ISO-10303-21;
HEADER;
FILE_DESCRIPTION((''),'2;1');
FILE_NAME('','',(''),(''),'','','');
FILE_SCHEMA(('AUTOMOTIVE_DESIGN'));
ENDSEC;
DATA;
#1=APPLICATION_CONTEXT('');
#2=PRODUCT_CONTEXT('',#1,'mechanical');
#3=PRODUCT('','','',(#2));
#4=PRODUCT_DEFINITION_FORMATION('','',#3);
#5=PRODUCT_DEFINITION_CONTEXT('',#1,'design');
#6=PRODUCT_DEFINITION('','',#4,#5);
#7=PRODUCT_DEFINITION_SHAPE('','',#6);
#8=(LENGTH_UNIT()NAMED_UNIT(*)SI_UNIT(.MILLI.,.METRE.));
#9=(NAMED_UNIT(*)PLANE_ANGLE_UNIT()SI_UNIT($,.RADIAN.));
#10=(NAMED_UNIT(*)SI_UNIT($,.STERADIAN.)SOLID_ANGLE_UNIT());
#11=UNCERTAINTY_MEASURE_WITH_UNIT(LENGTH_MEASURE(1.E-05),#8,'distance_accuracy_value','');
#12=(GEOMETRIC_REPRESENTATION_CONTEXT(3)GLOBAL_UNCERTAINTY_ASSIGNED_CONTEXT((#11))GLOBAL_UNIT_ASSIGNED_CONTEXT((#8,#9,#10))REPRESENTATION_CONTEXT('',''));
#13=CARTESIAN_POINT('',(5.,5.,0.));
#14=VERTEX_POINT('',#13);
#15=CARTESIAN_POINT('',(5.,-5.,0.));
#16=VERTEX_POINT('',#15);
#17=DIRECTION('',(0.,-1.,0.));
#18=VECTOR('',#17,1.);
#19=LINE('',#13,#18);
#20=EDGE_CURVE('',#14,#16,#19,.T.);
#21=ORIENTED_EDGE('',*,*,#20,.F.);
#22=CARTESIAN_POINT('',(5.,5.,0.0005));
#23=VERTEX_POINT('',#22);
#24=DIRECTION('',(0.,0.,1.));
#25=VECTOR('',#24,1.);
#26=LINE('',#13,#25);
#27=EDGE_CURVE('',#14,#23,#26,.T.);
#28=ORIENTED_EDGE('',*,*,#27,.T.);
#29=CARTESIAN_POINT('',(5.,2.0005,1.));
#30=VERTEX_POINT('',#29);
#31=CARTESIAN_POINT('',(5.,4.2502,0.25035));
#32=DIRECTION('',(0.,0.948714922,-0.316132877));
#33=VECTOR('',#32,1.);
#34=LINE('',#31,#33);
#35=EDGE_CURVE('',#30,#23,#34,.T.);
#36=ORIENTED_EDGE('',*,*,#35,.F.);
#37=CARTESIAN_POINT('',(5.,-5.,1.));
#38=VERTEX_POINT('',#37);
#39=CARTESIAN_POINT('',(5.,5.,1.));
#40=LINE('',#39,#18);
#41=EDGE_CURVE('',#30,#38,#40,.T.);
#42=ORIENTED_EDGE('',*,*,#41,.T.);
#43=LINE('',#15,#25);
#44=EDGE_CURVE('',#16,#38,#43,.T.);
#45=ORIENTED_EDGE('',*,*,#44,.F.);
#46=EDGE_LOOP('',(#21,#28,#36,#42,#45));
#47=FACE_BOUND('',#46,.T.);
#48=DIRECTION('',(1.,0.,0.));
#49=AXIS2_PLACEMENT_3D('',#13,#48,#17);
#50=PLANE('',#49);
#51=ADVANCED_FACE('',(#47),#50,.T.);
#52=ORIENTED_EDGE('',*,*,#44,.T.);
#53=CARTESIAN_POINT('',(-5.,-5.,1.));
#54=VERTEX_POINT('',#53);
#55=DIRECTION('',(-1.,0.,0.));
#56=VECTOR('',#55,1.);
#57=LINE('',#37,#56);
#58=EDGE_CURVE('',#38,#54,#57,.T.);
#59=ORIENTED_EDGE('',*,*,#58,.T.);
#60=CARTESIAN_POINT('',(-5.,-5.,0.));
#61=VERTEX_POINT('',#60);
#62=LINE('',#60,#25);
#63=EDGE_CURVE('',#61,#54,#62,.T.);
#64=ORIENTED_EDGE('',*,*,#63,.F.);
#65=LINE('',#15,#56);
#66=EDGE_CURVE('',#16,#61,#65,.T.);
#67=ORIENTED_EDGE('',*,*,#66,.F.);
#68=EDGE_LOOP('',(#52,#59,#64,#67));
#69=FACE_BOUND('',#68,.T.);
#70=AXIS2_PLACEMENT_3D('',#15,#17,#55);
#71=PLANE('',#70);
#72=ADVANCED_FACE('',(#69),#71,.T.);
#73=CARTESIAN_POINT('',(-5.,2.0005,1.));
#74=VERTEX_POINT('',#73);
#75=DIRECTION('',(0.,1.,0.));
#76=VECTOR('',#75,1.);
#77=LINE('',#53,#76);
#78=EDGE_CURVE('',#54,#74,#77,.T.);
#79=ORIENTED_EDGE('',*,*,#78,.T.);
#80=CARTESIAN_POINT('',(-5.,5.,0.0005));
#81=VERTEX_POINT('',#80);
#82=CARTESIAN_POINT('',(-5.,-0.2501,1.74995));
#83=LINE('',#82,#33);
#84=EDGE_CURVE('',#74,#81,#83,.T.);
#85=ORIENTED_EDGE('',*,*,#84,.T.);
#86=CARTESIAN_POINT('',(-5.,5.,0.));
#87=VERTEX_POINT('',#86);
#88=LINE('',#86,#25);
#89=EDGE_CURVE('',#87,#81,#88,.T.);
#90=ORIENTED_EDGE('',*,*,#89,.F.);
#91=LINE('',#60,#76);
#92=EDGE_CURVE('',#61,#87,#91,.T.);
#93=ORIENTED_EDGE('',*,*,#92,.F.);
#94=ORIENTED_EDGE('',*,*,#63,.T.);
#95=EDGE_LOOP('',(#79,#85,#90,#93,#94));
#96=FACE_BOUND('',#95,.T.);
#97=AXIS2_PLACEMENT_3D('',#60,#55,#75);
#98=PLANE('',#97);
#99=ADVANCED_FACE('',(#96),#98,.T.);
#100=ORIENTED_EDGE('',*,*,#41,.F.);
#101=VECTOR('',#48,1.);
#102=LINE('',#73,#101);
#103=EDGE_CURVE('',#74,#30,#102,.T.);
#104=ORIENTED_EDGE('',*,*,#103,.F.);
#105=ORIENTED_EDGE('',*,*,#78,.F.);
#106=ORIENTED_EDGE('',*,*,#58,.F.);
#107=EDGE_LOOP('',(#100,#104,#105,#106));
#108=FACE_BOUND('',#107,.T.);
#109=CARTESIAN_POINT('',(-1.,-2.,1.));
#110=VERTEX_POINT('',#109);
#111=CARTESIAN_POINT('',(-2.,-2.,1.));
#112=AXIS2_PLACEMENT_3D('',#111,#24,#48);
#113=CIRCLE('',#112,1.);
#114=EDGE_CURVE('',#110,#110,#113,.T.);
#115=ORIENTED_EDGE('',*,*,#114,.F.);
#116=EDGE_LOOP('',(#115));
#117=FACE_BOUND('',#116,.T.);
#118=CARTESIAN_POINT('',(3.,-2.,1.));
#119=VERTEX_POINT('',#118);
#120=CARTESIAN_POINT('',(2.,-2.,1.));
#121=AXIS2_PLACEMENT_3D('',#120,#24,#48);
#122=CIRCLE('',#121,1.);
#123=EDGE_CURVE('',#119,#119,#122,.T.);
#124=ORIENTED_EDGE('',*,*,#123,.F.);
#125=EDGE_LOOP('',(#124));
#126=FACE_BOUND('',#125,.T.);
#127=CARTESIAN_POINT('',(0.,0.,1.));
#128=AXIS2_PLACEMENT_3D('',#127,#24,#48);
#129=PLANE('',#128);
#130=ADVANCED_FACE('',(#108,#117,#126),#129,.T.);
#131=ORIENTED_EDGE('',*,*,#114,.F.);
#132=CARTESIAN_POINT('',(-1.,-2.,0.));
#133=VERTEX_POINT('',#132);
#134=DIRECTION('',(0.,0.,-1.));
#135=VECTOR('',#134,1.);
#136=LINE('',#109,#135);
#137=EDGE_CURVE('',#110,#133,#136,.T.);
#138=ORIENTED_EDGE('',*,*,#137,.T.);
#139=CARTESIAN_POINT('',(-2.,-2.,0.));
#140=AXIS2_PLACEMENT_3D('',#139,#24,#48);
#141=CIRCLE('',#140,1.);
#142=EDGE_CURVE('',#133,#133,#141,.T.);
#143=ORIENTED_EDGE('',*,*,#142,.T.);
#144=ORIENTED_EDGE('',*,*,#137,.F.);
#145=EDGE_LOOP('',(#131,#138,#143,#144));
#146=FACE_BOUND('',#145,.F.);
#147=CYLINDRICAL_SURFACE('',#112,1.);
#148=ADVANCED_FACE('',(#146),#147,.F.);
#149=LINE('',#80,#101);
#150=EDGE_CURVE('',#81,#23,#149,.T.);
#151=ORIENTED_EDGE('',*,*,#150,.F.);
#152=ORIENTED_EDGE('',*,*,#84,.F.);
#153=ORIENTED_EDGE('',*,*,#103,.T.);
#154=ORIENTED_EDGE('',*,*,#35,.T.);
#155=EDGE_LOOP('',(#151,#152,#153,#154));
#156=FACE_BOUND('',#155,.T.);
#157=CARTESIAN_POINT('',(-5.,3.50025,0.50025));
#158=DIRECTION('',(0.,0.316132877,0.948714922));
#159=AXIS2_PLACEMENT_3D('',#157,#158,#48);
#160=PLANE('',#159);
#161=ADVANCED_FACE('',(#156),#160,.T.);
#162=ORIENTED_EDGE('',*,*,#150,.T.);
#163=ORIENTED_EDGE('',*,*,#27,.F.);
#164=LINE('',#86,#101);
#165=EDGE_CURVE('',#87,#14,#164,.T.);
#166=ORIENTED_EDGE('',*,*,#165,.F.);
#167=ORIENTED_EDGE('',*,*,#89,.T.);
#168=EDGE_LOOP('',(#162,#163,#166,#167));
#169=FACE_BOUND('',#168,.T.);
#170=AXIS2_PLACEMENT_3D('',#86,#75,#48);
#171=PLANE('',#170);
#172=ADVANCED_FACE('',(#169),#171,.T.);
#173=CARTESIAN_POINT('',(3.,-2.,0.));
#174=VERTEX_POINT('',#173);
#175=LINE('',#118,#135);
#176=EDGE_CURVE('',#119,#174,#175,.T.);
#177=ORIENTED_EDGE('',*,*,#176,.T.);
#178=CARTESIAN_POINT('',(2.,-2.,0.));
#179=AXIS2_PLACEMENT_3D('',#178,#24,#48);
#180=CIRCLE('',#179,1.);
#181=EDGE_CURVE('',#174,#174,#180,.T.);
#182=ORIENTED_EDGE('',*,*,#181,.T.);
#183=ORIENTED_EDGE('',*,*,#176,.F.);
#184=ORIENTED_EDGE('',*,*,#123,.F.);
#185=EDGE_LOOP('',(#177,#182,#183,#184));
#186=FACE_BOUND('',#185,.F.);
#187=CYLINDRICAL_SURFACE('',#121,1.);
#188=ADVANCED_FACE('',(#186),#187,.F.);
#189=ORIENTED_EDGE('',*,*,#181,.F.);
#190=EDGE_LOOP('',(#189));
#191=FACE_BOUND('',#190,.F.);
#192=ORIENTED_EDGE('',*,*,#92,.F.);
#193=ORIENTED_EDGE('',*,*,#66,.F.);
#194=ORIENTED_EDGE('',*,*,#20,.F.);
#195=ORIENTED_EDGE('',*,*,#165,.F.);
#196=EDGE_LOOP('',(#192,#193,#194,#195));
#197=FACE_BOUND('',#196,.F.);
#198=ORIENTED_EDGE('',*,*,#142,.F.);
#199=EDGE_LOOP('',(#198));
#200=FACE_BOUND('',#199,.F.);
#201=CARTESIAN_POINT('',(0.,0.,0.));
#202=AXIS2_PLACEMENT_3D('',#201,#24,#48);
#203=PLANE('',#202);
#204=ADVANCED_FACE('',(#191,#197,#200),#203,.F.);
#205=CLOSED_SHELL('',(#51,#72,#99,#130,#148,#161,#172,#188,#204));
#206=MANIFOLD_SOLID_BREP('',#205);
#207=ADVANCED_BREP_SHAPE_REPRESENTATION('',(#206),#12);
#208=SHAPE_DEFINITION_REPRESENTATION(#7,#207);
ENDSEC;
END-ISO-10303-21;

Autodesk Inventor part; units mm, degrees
ref_plane "YZ Plane" through (0, 0, 0) normal (1, 0, 0) x (0, 1, 0)
ref_plane "XZ Plane" through (0, 0, 0) normal (0, 1, 0) x (-1, 0, 0)
ref_plane "XY Plane" through (0, 0, 0) normal (0, 0, 1) x (1, 0, 0)
sketch "スケッチ1" plane through (0, 0, 0) normal (0, 0, 1) x (1, 0, 0)
  line L0 (5, -5) -> (-5, -5)
  line L1 (-5, -5) -> (-5, 5)
  line L2 (-5, 5) -> (5, 5)
  line L3 (5, 5) -> (5, -5)
  line L4 (5, -5) -> (-5, 5) construction
  line L5 (-5, -5) -> (5, 5) construction
  point P0 (0, 0)
  dimension "d0" = 10
  dimension "d1" = 10
extrude "押し出し1" add sketch "スケッチ1" along normal blind 1
chamfer "面取り1" distance 3 distance2 1 1 edges at (0, 5, 1) measured on face at (-1.6667, 1.6667, 1)
sketch "スケッチ2" plane through (0, 0, 1) normal (0, 0, 1) x (1, 0, 0)
  circle A0 centre (-2, -2) radius 1
  circle A1 centre (2, -2) radius 1
  point P0 (0, 0)
  dimension "d7" = 2
  dimension "d8" = 2
extrude "押し出し2" cut sketch "スケッチ2" against normal blind 1
properties part number "cutter" material "アルミニウム 7075"
